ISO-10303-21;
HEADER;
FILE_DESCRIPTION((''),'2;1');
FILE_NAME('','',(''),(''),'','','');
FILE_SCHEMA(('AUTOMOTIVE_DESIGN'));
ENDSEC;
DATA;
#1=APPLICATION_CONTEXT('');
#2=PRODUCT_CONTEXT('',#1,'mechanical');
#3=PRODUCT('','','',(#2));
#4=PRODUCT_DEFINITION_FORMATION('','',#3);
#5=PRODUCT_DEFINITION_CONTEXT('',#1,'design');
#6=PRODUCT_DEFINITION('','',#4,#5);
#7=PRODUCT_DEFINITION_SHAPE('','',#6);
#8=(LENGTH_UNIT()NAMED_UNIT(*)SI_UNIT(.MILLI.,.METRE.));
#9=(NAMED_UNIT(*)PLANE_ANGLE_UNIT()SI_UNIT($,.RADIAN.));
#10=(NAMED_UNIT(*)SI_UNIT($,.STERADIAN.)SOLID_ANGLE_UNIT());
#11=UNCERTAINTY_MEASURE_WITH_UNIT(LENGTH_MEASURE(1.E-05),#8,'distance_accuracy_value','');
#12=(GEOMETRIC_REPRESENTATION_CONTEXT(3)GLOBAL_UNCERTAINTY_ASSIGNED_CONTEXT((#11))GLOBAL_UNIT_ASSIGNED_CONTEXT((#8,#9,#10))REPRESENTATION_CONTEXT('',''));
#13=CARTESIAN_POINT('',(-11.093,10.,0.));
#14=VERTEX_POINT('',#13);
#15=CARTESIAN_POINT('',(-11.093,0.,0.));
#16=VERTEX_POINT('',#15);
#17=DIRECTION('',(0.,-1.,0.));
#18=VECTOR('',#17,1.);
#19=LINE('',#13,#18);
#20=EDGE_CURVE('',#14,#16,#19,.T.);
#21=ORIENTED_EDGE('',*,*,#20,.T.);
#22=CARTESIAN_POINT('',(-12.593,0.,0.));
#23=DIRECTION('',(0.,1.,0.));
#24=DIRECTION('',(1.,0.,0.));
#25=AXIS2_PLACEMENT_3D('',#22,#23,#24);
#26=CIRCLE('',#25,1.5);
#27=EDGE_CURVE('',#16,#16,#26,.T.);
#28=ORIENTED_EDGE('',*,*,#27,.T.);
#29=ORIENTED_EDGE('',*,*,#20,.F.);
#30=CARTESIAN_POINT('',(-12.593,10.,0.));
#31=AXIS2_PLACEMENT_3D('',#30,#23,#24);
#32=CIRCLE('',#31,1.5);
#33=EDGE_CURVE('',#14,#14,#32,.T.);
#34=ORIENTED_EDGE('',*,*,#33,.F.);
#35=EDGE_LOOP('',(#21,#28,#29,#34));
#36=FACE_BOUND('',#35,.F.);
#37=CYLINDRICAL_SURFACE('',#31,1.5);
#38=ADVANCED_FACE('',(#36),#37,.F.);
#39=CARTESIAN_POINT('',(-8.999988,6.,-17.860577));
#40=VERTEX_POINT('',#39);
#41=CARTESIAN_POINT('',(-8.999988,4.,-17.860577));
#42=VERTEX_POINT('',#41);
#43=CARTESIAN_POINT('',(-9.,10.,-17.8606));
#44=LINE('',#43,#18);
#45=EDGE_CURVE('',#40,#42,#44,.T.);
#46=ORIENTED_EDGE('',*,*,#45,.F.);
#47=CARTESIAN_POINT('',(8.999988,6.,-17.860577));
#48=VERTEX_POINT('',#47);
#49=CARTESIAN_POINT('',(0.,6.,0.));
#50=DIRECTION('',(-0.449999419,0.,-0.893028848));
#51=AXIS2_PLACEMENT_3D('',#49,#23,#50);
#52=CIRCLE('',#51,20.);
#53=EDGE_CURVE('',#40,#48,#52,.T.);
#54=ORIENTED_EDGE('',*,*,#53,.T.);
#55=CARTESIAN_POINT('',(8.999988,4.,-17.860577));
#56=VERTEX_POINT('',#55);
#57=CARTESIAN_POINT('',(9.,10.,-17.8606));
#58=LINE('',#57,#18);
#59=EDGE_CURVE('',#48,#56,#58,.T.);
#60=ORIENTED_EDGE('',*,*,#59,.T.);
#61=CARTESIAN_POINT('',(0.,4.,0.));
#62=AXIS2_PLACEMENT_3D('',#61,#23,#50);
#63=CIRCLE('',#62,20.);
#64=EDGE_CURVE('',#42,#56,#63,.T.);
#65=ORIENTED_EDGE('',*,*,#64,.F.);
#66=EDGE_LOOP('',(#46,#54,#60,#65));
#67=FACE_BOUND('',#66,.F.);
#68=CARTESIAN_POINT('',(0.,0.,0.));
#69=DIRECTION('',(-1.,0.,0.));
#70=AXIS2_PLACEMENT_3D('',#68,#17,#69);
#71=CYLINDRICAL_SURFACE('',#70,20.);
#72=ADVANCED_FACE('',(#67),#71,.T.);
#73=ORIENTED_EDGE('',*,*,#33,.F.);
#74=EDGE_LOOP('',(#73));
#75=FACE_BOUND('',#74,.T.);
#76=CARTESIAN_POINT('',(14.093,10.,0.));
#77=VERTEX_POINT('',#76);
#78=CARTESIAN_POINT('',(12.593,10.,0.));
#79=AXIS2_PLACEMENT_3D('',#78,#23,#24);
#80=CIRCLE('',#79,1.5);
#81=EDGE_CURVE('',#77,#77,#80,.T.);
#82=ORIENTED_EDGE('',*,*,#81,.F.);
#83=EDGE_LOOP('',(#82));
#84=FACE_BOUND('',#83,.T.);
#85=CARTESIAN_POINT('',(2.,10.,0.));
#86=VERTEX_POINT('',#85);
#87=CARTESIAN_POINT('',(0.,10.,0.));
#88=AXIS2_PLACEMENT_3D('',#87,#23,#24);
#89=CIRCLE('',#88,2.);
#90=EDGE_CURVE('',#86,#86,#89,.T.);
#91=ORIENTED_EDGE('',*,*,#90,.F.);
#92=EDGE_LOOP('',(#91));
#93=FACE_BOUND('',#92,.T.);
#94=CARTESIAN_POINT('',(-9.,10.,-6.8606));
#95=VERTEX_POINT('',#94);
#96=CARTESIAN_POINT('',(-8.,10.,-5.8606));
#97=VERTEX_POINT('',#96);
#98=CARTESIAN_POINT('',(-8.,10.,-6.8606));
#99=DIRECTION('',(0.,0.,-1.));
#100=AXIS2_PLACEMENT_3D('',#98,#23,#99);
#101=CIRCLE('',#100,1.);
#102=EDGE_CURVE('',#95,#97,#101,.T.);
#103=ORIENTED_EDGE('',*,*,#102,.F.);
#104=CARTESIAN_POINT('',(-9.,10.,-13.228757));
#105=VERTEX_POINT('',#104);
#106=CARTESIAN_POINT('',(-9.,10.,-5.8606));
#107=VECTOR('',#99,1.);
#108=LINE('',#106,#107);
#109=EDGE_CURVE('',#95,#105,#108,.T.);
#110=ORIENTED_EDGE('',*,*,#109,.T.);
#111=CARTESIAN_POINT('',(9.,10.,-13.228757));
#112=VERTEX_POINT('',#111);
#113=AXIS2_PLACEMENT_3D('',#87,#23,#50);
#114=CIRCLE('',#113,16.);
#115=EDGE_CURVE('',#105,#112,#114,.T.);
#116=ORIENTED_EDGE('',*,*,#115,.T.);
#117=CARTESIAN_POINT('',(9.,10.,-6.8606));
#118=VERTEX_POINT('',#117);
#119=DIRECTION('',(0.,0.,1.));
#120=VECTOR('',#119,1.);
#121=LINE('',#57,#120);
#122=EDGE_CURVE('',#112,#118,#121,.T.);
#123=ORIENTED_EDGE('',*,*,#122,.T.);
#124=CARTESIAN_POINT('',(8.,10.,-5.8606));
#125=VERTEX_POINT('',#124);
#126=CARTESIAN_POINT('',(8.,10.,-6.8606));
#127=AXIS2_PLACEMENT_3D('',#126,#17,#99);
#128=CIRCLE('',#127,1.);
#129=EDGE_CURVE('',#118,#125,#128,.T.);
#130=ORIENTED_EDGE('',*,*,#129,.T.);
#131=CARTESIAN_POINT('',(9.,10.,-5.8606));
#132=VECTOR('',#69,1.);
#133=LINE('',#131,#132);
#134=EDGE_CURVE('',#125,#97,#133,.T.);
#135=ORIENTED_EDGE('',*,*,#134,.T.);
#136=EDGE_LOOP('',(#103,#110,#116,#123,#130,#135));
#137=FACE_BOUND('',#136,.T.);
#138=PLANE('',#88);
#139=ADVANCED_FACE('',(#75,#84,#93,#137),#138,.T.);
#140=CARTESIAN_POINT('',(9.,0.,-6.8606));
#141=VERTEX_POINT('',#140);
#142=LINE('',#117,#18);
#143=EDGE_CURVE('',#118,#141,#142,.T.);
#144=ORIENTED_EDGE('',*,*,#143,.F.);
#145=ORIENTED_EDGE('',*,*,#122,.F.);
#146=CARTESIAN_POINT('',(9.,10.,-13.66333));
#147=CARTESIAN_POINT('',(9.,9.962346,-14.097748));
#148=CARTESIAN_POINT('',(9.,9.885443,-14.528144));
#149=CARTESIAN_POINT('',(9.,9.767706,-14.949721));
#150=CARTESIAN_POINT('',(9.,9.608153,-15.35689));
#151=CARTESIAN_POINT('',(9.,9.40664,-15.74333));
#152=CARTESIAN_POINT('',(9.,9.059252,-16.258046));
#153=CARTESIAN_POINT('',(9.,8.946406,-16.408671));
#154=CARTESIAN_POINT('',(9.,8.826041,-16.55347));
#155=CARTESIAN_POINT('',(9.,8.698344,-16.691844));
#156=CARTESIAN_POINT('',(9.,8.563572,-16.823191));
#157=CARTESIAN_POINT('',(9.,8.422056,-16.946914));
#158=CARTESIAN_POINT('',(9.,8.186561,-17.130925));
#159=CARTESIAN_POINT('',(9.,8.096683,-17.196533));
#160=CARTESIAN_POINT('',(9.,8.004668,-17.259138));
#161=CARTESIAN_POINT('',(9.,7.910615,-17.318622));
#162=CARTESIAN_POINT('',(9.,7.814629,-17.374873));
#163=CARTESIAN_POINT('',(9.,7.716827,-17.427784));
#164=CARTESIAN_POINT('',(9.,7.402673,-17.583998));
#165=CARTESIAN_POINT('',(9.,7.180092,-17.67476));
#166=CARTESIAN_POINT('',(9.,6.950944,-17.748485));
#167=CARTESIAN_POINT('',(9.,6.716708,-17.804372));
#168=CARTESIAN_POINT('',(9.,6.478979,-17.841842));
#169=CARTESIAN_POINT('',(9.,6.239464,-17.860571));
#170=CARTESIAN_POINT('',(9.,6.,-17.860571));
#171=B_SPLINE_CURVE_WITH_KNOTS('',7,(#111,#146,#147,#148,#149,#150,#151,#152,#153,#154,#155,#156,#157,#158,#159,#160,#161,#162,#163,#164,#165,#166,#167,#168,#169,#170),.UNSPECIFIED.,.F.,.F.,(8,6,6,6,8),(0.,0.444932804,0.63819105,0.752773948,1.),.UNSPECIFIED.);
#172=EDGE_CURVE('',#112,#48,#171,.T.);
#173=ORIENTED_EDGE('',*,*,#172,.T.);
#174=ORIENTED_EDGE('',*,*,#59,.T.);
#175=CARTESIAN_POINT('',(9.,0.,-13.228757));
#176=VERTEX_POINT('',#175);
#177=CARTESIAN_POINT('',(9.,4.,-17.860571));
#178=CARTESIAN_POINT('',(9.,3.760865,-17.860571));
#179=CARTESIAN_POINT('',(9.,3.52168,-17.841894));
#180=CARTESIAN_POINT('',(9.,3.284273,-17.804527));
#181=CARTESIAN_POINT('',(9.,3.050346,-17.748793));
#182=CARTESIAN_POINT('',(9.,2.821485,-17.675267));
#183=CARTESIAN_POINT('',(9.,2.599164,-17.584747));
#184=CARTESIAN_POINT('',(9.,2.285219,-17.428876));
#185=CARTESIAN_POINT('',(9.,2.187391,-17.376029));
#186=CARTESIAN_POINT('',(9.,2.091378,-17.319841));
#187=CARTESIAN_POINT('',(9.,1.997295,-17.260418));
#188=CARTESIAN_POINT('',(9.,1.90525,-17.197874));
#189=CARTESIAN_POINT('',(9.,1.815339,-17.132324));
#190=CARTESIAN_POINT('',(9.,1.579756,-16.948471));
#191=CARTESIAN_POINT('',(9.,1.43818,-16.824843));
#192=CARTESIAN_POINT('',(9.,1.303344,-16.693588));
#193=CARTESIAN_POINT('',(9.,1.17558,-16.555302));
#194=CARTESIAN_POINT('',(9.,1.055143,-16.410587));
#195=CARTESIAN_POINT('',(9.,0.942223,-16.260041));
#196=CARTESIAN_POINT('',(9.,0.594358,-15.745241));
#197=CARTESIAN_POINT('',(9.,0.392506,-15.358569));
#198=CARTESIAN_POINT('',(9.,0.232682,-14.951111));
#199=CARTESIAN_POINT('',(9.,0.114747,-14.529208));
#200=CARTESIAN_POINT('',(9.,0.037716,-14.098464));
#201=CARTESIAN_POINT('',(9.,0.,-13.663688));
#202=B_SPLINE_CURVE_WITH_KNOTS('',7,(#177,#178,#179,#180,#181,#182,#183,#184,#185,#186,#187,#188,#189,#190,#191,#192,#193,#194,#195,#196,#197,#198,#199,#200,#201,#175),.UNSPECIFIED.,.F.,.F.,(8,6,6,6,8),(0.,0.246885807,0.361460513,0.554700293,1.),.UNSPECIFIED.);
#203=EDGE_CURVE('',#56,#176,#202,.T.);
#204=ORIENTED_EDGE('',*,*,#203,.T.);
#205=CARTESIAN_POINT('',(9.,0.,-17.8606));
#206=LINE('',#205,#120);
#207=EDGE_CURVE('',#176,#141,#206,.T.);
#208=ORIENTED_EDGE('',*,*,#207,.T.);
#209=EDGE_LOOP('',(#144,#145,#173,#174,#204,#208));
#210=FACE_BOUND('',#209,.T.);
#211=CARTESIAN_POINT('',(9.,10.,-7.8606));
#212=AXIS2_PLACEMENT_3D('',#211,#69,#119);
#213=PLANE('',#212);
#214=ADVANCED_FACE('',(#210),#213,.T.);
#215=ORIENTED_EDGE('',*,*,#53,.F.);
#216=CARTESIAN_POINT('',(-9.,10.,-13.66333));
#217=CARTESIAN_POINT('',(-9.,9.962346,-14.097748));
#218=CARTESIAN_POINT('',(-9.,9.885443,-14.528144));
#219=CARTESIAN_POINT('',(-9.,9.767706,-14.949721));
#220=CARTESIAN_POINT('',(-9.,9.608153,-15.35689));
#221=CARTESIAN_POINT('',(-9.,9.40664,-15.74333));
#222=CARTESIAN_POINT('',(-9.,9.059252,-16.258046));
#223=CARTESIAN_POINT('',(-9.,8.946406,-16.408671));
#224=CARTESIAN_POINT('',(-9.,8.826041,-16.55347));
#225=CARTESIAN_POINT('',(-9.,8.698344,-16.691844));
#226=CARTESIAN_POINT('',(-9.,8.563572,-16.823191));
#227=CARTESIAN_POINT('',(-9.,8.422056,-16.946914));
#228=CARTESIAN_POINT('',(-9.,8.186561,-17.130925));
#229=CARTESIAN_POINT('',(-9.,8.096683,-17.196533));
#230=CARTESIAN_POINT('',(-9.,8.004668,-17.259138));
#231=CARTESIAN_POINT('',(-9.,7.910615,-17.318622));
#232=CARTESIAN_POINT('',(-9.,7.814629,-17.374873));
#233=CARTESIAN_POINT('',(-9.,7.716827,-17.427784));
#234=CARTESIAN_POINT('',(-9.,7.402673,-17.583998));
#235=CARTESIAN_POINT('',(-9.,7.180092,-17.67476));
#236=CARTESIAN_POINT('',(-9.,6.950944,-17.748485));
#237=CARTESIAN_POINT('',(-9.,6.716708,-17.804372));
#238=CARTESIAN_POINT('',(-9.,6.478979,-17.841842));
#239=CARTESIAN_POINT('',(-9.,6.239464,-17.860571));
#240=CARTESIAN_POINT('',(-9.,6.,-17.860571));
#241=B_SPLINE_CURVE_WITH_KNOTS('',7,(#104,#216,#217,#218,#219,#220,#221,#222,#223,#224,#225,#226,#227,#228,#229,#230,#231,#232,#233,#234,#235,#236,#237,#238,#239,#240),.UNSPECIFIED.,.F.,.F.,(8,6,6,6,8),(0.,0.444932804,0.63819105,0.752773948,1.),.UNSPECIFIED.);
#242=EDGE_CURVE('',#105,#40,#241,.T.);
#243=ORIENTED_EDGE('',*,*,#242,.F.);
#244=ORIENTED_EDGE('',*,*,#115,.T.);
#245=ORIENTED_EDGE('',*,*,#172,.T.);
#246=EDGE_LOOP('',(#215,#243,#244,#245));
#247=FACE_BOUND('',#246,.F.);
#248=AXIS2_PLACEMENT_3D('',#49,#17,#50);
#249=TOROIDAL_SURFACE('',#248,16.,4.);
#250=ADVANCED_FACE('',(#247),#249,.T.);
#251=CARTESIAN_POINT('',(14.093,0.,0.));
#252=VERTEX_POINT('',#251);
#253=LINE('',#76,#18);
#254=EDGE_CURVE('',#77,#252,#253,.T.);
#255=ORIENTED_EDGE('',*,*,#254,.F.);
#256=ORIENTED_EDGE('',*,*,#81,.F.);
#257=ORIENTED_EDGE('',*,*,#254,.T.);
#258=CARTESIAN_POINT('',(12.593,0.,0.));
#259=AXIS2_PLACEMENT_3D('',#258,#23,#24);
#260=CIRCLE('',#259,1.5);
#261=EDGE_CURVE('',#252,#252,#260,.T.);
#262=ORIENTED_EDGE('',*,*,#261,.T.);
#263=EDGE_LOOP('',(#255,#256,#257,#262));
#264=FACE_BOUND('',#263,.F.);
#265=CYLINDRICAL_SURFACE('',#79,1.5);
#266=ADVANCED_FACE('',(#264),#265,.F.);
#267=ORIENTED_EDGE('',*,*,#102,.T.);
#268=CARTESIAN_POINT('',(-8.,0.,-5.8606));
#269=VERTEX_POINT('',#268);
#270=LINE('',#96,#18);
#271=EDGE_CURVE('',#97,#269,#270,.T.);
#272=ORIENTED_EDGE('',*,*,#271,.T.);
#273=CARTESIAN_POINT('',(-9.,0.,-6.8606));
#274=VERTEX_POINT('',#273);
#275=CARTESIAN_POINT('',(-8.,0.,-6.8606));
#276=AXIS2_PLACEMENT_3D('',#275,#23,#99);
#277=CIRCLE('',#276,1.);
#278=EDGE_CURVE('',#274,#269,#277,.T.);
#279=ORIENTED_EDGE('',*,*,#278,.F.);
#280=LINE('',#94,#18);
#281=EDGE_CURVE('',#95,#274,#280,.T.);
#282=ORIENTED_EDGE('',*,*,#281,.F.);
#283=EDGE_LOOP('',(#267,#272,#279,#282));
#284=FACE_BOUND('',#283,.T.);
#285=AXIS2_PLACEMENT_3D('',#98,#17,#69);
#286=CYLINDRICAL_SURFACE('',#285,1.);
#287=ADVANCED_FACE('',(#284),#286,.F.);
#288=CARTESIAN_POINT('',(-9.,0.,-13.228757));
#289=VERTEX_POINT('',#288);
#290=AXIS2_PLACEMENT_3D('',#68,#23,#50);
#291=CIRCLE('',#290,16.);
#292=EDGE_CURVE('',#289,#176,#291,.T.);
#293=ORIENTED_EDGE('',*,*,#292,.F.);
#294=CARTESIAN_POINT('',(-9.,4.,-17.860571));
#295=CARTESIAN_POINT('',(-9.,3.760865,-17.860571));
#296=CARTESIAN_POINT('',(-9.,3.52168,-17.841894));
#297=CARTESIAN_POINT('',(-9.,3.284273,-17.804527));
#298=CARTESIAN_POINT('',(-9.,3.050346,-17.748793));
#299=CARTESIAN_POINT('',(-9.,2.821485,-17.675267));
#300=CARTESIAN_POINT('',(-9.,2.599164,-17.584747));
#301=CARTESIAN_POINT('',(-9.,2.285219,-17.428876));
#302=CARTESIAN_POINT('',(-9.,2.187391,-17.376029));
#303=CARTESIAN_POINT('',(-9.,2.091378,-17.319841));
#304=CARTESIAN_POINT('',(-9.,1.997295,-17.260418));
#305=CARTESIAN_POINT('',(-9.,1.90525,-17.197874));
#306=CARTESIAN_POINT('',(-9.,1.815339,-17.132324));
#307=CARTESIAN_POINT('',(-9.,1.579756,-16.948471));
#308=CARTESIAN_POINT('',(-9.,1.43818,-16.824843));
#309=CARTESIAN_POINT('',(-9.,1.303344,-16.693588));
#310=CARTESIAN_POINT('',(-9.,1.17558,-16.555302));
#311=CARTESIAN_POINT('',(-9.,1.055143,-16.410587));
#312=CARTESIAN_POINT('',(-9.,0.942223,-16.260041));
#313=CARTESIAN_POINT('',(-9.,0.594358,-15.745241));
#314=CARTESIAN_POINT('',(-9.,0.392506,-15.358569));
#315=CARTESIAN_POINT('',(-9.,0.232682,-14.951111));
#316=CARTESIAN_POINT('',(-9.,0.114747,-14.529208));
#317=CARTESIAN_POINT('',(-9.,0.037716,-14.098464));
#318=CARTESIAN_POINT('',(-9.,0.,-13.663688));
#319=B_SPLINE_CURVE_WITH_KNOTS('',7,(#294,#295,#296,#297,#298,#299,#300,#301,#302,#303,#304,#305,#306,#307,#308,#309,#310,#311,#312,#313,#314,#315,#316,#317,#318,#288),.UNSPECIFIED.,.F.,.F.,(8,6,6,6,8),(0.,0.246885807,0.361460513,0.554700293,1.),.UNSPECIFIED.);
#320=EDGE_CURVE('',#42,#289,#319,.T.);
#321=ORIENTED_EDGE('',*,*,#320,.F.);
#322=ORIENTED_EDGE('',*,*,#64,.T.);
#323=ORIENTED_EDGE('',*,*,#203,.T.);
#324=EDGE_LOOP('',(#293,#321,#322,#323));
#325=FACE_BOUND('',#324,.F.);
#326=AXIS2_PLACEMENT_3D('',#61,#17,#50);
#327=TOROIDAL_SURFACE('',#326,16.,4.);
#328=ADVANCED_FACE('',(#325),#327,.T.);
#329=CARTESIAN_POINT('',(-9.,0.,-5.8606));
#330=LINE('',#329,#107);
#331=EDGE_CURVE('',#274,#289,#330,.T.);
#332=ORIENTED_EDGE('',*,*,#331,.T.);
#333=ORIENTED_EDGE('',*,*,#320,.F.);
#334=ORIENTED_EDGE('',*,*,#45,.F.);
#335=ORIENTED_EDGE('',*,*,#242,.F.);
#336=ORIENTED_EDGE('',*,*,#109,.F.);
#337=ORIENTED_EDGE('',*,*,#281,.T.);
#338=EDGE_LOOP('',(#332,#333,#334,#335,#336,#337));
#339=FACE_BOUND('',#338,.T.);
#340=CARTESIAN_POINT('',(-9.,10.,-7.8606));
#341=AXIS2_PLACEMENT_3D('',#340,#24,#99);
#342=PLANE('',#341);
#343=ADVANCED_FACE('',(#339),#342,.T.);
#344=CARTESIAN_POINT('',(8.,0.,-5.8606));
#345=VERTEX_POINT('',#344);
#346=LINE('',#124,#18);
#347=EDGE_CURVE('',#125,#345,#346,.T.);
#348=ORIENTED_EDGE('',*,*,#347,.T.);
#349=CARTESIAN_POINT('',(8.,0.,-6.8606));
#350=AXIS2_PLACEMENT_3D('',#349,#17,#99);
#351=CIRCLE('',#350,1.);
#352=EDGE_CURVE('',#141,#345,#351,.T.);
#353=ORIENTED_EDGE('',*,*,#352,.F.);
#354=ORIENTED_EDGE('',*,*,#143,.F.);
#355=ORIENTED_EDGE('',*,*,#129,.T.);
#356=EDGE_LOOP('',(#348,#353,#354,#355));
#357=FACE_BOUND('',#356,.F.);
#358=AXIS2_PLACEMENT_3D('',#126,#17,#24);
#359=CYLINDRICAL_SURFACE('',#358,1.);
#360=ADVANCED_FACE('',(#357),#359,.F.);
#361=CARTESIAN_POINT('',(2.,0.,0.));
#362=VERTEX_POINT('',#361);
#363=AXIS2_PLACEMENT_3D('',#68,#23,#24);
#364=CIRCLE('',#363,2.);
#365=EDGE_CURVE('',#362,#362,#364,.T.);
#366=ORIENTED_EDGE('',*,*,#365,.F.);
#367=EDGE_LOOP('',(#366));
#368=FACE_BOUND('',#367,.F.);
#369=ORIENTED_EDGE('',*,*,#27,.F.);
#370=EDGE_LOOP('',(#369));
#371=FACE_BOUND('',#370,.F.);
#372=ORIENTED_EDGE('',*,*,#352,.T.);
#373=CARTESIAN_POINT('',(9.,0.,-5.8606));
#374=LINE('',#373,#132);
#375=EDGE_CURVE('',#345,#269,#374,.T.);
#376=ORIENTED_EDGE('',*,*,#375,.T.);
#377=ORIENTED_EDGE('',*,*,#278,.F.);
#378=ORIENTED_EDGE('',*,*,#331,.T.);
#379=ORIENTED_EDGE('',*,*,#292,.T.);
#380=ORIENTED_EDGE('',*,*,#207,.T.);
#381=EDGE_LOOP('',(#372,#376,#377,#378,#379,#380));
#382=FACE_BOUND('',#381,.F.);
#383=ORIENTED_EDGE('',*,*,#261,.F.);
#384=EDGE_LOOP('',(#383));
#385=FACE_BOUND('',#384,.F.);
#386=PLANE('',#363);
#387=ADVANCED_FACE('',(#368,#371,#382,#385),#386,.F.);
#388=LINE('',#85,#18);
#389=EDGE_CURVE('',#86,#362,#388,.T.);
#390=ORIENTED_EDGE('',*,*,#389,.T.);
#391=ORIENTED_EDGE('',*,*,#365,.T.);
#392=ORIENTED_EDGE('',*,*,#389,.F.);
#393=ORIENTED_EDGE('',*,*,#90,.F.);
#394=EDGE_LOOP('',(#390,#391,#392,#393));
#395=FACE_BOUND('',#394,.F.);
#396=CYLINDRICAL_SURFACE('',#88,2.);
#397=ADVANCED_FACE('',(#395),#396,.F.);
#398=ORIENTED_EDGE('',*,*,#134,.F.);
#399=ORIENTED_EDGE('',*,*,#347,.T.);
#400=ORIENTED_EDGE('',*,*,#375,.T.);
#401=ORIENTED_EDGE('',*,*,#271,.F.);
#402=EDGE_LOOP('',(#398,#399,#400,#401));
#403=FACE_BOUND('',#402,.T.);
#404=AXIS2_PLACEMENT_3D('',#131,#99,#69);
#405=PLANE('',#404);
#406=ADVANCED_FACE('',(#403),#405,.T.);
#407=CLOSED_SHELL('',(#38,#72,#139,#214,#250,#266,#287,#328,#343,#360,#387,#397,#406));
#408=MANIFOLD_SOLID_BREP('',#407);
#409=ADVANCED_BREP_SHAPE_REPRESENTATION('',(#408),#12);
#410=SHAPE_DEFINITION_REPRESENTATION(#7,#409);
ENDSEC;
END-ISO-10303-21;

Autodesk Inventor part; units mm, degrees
ref_plane "YZ Plane" through (0, 0, 0) normal (1, 0, 0) x (0, 1, 0)
ref_plane "XZ Plane" through (0, 0, 0) normal (0, 1, 0) x (-1, 0, 0)
ref_plane "XY Plane" through (0, 0, 0) normal (0, 0, 1) x (1, 0, 0)
sketch "Sketch1" plane through (0, 0, 0) normal (0, 1, 0) x (-1, 0, 0)
  circle A0 centre (0, 0) radius 20
  dimension "d0" = 40
extrude "Extrusion1" add sketch "Sketch1" along normal blind 10
sketch "Sketch2" plane through (0, 10, 0) normal (0, 1, 0) x (1, 0, 0)
  circle A0 centre (0, 0) radius 20 projected
  circle A1 centre (0, 0) radius 6
  dimension "d3" = 12
extrude "Extrusion2" cut sketch "Sketch2" against normal blind 10 contours A1
sketch "Sketch3" plane through (0, 10, 0) normal (0, 1, 0) x (1, 0, 0)
  circle A0 centre (-12.593, 0) radius 1.5
  circle A1 centre (12.593, 0) radius 1.5
  dimension "d7" = 3
  dimension "d8" = 3
extrude "Extrusion3" cut sketch "Sketch3" against normal blind 10
sketch "Sketch6" plane through (0, 10, 0) normal (0, 1, 0) x (1, 0, 0)
  circle A0 centre (0, 0) radius 6 projected
  circle A1 centre (0, 0) radius 20 projected
  circle A2 centre (0, 0) radius 5
  dimension "d11" = 10
extrude "Extrusion4" add sketch "Sketch6" against normal blind 10 contours A0
sketch "Sketch7" plane through (0, 10, 0) normal (0, 1, 0) x (1, 0, 0)
  circle A0 centre (0, 0) radius 5 projected
  circle A1 centre (0, 0) radius 20 projected
  circle A2 centre (0, 0) radius 3
  dimension "d14" = 6
extrude "Extrusion5" add sketch "Sketch7" against normal blind 2 contours A0
sketch "Sketch8" plane through (0, 10, 0) normal (0, 1, 0) x (1, 0, 0)
  circle A0 centre (0, 0) radius 20 projected
  line L0 (9, 17.8606) -> (9, 7.8606)
  line L1 (9, 7.8606) -> (-9, 7.8606)
  line L2 (-9, 7.8606) -> (-9, 17.8606)
  line L3 (-9, 17.8606) -> (9, 7.8606) construction
  line L4 (9, 17.8606) -> (-9, 7.8606) construction
  arc A1 (9, 17.8606) -> (-9, 17.8606) centre (0, 0) ccw
  point P0 (0, 12.8606)
  dimension "d17" = 18
  dimension "d18" = 10
extrude "Extrusion6" cut sketch "Sketch8" against normal blind 10 contours L0 L1 L2 A0 picked at (0, 11.9071)
sketch "Sketch9" plane through (0, 10, 0) normal (0, 1, 0) x (1, 0, 0)
  line L0 (-9, 7.8606) -> (9, 7.8606)
  line L1 (9, 7.8606) -> (9, 5.8606)
  line L2 (9, 5.8606) -> (-9, 5.8606)
  line L3 (-9, 5.8606) -> (-9, 7.8606)
  dimension "d21" = 18
  dimension "d25" = 2
extrude "Extrusion7" cut sketch "Sketch9" against normal blind 10
sketch "Sketch10" plane through (0, 0, 0) normal (0, -1, 0) x (1, 0, 0)
  circle A0 centre (0, 0) radius 5 projected
extrude "Extrusion8" add sketch "Sketch10" against normal blind 8
sketch "Sketch11" plane through (0, 8, 0) normal (0, 1, 0) x (1, 0, 0)
  circle A0 centre (0, 0) radius 3 projected
extrude "Extrusion9" cut sketch "Sketch11" against normal blind 8
sketch "Sketch12" plane through (0, 10, 0) normal (0, 1, 0) x (1, 0, 0)
  circle A0 centre (0, 0) radius 3 projected
  arc A1 (-9, 17.8606) -> (9, 17.8606) centre (0, 0) ccw projected
  circle A2 centre (0, 0) radius 2
  dimension "d32" = 4
extrude "Extrusion10" add sketch "Sketch12" against normal blind 10
fillet "Fillet1" radius 1 2 edges at (9, 5, -5.8606) (-9, 5, -5.8606)
fillet "Fillet2" radius 4 2 edges at (0, 0, 20) (0, 10, 20)
properties part number "ruka_lozisko"
